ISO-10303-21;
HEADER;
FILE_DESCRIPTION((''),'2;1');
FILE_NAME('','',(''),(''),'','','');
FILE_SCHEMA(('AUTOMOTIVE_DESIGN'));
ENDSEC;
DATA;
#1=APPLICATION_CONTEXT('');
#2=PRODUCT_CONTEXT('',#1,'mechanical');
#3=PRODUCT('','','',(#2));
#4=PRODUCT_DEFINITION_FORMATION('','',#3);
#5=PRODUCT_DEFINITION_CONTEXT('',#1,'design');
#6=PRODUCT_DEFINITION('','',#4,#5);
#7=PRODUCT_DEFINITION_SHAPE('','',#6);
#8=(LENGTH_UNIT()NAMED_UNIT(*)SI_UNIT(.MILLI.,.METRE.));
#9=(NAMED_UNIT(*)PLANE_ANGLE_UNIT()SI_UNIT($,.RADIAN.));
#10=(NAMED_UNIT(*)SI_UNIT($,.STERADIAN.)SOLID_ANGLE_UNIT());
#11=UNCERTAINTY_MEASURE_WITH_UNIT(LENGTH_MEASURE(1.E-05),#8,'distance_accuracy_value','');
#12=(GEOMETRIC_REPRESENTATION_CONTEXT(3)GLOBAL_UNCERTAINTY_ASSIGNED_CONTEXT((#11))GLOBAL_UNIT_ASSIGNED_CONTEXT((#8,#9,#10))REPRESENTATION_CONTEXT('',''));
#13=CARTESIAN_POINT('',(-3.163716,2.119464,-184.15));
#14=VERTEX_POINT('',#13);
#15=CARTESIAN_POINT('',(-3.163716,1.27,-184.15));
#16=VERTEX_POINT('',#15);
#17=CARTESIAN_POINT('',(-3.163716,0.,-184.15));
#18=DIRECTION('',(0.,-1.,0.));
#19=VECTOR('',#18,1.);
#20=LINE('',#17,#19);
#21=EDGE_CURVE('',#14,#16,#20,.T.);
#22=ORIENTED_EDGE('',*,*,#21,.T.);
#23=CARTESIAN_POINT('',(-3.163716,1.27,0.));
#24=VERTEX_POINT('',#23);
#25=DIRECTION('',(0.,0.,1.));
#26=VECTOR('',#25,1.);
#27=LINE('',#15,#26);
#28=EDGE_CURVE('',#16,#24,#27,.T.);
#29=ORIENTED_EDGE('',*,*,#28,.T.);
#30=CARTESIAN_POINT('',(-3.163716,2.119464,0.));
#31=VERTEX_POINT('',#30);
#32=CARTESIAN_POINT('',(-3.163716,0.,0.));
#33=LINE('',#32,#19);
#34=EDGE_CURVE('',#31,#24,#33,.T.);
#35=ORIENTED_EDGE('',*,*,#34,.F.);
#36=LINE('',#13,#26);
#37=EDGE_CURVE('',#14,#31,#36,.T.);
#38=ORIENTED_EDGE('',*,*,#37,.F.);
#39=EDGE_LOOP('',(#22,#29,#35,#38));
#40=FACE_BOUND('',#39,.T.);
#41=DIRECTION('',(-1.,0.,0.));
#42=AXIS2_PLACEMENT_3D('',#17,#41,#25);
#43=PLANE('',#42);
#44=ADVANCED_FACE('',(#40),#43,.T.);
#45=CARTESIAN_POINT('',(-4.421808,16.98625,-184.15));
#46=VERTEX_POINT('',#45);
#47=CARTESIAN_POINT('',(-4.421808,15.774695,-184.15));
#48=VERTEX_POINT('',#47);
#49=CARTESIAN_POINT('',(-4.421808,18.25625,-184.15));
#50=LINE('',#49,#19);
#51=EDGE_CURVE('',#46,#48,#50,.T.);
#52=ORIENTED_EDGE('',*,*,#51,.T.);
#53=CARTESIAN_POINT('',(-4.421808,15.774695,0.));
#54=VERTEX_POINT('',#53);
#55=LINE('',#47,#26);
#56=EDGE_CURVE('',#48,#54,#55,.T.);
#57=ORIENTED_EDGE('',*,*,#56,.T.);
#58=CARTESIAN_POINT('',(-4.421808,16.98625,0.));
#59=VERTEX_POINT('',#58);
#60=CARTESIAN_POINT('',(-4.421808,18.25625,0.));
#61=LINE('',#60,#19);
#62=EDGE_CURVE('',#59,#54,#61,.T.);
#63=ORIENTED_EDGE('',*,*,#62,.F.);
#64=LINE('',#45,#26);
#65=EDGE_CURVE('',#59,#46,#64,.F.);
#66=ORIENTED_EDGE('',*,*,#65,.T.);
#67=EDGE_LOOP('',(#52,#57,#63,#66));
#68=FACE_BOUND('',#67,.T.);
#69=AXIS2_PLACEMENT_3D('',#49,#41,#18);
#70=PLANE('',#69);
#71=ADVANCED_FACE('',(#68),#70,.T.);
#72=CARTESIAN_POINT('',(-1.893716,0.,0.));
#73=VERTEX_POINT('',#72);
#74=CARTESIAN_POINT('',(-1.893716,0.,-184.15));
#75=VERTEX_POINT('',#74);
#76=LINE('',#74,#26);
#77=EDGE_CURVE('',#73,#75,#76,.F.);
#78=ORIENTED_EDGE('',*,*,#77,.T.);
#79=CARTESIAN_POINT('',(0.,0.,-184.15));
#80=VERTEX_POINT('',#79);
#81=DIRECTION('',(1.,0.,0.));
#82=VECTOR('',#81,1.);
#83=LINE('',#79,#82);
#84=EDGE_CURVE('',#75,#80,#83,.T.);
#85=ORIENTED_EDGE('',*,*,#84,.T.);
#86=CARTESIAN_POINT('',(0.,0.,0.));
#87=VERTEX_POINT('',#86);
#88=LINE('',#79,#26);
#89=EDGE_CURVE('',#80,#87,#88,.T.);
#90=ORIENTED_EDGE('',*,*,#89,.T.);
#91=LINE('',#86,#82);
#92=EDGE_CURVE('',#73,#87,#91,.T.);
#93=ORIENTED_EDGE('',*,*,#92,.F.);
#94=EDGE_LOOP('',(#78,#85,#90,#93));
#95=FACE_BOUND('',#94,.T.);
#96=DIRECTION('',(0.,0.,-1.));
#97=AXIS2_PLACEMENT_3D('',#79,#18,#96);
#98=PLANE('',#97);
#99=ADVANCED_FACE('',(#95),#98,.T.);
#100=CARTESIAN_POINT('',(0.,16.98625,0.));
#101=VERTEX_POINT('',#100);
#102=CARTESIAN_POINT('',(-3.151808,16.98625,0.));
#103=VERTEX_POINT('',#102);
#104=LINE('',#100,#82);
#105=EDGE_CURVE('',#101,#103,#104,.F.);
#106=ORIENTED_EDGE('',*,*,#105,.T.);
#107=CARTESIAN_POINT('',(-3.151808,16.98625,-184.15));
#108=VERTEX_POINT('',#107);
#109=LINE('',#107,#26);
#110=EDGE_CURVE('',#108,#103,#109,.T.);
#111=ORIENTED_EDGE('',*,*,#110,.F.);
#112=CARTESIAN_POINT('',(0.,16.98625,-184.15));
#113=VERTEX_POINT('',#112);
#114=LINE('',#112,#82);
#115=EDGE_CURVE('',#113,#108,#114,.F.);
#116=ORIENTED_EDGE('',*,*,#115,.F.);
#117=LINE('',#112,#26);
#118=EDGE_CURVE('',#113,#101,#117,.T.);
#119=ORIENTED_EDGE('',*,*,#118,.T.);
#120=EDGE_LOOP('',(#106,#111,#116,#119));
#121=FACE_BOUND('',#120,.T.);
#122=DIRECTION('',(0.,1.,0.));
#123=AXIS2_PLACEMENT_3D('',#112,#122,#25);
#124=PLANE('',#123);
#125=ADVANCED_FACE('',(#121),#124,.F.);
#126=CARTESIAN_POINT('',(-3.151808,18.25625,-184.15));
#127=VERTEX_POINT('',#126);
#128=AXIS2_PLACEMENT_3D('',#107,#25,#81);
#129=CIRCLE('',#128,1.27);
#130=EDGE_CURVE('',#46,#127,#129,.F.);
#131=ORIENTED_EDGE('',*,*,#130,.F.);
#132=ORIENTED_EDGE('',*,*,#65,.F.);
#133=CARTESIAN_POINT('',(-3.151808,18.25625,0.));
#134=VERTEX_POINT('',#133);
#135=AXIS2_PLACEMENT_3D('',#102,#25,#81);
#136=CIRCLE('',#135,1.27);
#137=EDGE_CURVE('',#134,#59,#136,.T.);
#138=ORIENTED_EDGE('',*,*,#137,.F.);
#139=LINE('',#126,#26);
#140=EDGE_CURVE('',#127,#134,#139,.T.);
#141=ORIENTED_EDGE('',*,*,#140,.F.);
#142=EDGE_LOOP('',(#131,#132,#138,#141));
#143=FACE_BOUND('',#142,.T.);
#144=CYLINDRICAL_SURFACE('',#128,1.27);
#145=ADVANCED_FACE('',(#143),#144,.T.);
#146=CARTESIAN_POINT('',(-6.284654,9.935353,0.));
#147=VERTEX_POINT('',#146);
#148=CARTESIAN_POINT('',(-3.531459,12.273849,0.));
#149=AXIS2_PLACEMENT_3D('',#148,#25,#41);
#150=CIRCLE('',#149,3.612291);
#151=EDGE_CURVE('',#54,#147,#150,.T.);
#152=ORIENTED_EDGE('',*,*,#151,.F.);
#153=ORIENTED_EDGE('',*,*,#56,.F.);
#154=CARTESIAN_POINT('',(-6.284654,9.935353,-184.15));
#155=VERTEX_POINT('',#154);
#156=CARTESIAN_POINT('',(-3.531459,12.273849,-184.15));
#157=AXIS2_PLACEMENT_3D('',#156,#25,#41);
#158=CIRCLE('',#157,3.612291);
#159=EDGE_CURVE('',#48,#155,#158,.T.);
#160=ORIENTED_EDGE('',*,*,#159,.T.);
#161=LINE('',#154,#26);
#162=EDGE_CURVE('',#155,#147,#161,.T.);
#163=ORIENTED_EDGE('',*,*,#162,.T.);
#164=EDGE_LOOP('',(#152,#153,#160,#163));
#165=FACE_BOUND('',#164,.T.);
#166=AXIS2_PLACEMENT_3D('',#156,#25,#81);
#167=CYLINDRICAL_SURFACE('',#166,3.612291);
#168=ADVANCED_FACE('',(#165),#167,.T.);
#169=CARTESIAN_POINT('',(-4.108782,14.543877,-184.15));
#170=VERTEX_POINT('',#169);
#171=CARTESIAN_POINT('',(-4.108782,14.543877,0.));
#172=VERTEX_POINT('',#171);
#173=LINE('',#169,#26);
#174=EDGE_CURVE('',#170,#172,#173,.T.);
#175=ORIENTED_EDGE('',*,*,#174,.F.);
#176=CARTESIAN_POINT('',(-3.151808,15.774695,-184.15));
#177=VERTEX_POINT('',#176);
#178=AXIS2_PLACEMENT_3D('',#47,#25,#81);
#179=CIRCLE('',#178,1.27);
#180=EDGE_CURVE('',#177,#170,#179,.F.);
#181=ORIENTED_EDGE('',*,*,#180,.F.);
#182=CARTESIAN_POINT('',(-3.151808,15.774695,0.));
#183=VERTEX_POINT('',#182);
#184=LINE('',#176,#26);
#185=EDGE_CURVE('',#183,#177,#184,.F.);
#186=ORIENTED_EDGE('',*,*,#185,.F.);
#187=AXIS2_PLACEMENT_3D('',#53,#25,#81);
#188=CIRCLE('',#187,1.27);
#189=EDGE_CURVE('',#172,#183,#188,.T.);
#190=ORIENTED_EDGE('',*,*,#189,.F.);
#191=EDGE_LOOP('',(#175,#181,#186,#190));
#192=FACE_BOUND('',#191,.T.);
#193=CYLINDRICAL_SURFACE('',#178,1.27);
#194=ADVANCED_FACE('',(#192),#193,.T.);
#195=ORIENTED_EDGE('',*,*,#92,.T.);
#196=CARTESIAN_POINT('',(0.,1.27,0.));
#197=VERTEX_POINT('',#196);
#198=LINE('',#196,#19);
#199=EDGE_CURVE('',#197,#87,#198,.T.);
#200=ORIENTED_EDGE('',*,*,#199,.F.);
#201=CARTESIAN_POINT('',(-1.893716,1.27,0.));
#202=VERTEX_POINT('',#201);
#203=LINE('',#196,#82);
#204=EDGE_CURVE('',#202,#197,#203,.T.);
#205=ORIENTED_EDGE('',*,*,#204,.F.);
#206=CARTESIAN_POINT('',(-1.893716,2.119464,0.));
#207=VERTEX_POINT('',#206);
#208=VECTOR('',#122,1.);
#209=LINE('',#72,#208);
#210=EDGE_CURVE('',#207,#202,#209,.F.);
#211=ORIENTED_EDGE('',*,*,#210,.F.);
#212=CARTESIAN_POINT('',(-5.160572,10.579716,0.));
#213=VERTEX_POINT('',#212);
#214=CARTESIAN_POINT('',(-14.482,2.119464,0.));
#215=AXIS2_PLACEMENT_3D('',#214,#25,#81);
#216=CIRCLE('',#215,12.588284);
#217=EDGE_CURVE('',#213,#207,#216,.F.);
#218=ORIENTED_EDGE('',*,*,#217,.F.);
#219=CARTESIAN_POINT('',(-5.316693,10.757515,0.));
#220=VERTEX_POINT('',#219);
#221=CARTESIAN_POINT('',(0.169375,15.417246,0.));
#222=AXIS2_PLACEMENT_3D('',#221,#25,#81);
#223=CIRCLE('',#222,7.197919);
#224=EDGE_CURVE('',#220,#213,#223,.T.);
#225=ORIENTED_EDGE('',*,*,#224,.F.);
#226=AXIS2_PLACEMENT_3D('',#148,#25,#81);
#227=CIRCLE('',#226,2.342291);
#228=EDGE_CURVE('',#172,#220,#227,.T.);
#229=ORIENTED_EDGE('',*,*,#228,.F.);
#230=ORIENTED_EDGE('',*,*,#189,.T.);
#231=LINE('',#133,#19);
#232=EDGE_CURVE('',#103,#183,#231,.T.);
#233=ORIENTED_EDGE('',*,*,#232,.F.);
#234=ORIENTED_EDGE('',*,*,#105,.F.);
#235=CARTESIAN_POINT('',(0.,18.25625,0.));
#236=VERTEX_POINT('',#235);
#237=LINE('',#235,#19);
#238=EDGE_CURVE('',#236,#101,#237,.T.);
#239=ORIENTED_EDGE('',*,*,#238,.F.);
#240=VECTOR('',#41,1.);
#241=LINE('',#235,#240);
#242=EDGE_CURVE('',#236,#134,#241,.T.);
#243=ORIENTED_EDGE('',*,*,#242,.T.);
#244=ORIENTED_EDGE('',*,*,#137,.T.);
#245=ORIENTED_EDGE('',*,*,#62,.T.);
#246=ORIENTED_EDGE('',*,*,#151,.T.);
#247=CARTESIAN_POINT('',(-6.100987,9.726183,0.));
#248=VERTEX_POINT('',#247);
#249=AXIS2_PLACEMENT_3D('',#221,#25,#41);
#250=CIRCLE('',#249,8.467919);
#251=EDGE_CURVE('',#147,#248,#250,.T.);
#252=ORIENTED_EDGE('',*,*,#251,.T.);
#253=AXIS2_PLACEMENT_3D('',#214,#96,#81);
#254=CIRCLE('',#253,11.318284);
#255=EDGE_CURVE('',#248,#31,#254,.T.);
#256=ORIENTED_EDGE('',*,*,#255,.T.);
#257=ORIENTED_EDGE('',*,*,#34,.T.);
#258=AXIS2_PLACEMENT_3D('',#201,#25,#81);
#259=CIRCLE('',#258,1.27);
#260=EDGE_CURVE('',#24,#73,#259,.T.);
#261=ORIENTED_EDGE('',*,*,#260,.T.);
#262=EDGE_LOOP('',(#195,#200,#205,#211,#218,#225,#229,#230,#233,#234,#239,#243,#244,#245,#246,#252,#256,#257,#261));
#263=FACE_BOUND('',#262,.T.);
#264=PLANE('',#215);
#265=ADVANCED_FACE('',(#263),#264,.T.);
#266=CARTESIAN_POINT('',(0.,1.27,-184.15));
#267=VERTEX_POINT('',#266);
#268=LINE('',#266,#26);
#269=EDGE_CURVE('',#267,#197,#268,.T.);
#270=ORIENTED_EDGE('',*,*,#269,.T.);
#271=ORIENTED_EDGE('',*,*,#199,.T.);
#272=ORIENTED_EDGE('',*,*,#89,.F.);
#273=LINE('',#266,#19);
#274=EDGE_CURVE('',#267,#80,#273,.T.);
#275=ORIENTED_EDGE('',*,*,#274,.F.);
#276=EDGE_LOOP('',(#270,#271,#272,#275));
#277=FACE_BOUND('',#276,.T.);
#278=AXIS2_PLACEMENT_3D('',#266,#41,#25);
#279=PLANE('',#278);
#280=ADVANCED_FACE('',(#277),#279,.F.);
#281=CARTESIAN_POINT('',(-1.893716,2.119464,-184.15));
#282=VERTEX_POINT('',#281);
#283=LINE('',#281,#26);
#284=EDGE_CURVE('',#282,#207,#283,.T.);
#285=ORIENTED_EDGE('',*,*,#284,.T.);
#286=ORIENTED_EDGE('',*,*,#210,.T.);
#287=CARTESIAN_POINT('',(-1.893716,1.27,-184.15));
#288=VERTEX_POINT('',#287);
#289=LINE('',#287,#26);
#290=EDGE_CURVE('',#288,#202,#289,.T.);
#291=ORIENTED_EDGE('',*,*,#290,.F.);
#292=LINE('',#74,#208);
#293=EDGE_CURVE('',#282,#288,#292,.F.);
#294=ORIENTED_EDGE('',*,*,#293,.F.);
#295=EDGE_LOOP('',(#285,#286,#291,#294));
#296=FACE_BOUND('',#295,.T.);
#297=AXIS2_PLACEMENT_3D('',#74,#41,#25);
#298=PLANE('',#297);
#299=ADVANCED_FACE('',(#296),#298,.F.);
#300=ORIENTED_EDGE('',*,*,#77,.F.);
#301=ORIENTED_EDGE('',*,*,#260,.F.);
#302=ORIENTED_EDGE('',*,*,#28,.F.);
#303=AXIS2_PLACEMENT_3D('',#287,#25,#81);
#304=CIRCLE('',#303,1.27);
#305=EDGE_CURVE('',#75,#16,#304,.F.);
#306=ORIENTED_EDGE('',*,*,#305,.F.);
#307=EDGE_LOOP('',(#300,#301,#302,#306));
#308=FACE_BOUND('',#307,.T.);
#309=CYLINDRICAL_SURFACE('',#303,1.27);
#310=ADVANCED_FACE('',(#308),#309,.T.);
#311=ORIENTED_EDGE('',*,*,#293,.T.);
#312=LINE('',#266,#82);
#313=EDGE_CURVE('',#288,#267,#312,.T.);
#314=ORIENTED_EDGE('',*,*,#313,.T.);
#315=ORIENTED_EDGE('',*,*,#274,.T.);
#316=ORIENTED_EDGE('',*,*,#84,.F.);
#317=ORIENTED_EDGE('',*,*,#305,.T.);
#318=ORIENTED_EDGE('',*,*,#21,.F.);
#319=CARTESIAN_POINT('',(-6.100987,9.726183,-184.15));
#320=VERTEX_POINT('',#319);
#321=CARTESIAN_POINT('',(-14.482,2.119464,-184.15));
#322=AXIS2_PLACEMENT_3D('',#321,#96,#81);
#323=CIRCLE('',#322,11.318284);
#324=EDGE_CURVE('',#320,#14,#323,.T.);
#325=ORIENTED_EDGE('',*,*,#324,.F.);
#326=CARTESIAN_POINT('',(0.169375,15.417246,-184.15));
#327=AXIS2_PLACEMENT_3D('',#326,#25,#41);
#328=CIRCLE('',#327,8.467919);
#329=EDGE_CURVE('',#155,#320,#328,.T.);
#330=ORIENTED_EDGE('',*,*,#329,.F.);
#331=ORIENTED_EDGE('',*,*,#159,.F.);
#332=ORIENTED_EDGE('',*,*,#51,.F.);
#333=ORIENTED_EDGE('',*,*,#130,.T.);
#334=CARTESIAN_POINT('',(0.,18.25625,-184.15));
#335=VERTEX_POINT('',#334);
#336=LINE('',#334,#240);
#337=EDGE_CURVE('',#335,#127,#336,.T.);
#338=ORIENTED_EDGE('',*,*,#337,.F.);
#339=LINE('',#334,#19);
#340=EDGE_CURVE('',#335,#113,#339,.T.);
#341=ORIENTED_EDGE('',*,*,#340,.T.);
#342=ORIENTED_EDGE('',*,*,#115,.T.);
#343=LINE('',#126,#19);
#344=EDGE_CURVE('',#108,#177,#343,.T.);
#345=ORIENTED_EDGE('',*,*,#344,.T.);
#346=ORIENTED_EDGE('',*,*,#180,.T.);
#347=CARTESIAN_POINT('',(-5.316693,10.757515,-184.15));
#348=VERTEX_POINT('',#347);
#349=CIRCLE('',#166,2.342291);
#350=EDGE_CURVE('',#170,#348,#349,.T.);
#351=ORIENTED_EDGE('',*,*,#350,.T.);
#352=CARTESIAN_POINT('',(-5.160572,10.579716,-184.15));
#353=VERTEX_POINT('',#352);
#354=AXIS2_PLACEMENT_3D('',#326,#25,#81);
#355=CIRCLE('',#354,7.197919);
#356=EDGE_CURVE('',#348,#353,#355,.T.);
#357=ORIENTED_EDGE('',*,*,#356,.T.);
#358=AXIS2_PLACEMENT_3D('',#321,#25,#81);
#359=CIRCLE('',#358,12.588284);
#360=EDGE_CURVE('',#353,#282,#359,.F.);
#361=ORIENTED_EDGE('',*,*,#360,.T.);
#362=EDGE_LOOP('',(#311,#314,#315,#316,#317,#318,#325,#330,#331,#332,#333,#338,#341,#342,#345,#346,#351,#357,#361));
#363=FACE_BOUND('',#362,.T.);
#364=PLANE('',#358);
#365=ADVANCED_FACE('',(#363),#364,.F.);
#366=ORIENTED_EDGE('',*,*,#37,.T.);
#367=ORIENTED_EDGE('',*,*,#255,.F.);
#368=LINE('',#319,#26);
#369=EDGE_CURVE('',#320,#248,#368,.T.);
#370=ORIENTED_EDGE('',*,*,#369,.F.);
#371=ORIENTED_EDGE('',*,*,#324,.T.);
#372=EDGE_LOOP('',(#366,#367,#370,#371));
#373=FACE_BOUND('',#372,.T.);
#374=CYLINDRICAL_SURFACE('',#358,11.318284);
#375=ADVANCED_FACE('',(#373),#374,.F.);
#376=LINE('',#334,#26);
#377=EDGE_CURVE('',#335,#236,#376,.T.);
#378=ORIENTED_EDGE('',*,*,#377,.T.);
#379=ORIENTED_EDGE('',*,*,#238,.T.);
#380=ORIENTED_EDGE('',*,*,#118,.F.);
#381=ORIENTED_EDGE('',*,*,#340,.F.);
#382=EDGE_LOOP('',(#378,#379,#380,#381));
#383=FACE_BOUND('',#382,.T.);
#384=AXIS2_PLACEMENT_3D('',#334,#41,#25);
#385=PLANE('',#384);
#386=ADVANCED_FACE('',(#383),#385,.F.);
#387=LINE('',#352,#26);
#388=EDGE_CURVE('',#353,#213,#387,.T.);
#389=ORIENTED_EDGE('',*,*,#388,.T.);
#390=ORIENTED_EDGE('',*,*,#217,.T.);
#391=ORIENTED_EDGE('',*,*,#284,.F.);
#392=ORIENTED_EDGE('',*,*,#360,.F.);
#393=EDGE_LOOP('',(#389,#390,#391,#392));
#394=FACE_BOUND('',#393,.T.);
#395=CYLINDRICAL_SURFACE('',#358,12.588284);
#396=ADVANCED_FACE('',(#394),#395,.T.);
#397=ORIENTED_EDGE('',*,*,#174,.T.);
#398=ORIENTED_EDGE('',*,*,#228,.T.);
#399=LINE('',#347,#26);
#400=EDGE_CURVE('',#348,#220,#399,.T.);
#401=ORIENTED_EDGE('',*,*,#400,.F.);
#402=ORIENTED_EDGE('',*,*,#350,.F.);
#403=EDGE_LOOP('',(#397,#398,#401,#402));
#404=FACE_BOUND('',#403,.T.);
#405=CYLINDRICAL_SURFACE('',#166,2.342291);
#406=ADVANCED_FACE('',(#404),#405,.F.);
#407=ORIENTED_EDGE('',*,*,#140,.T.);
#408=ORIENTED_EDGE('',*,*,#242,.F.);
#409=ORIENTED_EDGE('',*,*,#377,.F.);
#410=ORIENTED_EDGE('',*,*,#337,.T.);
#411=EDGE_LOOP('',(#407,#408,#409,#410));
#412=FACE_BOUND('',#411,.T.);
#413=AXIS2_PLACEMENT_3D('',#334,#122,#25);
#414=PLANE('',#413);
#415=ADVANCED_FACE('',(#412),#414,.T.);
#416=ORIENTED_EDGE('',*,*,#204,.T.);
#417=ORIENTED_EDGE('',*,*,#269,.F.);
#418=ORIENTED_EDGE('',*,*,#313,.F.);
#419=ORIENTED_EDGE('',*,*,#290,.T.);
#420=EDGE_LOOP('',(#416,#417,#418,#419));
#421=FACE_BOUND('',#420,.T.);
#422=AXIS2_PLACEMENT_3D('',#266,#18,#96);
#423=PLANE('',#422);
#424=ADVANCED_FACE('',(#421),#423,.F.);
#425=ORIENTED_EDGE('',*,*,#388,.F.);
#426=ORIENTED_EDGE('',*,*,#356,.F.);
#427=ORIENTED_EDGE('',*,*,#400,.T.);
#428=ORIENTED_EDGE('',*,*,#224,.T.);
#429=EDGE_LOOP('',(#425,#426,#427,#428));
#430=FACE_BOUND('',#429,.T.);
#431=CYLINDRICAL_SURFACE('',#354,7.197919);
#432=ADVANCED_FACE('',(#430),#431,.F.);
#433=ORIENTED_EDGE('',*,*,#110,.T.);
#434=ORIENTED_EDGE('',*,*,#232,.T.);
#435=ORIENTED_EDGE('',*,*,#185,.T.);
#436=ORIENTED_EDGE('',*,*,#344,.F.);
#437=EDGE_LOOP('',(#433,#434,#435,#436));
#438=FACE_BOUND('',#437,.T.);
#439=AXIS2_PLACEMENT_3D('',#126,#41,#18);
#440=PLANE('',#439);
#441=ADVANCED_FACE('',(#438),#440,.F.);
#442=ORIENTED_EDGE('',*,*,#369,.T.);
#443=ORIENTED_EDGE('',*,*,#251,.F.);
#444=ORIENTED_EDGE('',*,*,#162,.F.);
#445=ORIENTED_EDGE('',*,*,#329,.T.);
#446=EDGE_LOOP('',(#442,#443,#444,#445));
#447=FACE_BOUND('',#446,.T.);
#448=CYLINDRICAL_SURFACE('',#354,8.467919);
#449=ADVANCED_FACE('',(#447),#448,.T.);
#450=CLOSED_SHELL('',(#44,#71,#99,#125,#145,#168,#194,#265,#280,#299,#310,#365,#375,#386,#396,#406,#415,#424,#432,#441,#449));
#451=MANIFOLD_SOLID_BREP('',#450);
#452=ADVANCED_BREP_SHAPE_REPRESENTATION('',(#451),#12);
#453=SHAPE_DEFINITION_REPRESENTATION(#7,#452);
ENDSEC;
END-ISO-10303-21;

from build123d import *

# Parameters (mm, degrees)
EXTRUDE_THIN1_DEPTH = 184.15
FILLET1_R           = 1.27


with BuildPart() as part:
    # Sketch1 → Extrude-Thin1 (new body)
    with BuildSketch(Plane.XY):
        with BuildLine():
            Line((0, 0), (-3.163716198, 0))
            Line((-3.163716198, 0), (-3.163716198, 2.119463738))
            ThreePointArc((-3.163716198, 2.119463738), (-3.923538192, 6.196525566), (-6.100987039, 9.72618265))
            ThreePointArc((-6.100987039, 9.72618265), (-6.193680003, 9.830012941), (-6.284653862, 9.935352736))
            ThreePointArc((-6.284653862, 9.935352736), (-6.972873445, 13.371716383), (-4.421808228, 15.774695279))
            Line((-4.421808228, 15.774695279), (-4.421808228, 18.25625))
            Line((-4.421808228, 18.25625), (0, 18.25625))
            Line((0, 18.25625), (0, 16.98625))
            Line((0, 16.98625), (-3.151808228, 16.98625))
            Line((-3.151808228, 16.98625), (-3.151808228, 14.585167393))
            ThreePointArc((-3.151808228, 14.585167393), (-5.570244387, 13.426967033), (-5.316692669, 10.757515207))
            ThreePointArc((-5.316692669, 10.757515207), (-5.239362872, 10.667974045), (-5.160571796, 10.579715995))
            ThreePointArc((-5.160571796, 10.579715995), (-2.738796161, 6.654003785), (-1.893716198, 2.119463738))
            Line((-1.893716198, 2.119463738), (-1.893716198, 1.27))
            Line((-1.893716198, 1.27), (0, 1.27))
            Line((0, 1.27), (0, 0))
        make_face()
    extrude(amount=-EXTRUDE_THIN1_DEPTH)

    # Fillet1
    fillet1_edges = [part.edges().sort_by_distance(p)[0] for p in [
        (-3.163716198, 0, -92.075),
        (-4.421808228, 18.25625, -92.075),
        (-3.151808228, 14.585167393, -92.075),
    ]]
    fillet(fillet1_edges, radius=FILLET1_R)


solid = part.part
